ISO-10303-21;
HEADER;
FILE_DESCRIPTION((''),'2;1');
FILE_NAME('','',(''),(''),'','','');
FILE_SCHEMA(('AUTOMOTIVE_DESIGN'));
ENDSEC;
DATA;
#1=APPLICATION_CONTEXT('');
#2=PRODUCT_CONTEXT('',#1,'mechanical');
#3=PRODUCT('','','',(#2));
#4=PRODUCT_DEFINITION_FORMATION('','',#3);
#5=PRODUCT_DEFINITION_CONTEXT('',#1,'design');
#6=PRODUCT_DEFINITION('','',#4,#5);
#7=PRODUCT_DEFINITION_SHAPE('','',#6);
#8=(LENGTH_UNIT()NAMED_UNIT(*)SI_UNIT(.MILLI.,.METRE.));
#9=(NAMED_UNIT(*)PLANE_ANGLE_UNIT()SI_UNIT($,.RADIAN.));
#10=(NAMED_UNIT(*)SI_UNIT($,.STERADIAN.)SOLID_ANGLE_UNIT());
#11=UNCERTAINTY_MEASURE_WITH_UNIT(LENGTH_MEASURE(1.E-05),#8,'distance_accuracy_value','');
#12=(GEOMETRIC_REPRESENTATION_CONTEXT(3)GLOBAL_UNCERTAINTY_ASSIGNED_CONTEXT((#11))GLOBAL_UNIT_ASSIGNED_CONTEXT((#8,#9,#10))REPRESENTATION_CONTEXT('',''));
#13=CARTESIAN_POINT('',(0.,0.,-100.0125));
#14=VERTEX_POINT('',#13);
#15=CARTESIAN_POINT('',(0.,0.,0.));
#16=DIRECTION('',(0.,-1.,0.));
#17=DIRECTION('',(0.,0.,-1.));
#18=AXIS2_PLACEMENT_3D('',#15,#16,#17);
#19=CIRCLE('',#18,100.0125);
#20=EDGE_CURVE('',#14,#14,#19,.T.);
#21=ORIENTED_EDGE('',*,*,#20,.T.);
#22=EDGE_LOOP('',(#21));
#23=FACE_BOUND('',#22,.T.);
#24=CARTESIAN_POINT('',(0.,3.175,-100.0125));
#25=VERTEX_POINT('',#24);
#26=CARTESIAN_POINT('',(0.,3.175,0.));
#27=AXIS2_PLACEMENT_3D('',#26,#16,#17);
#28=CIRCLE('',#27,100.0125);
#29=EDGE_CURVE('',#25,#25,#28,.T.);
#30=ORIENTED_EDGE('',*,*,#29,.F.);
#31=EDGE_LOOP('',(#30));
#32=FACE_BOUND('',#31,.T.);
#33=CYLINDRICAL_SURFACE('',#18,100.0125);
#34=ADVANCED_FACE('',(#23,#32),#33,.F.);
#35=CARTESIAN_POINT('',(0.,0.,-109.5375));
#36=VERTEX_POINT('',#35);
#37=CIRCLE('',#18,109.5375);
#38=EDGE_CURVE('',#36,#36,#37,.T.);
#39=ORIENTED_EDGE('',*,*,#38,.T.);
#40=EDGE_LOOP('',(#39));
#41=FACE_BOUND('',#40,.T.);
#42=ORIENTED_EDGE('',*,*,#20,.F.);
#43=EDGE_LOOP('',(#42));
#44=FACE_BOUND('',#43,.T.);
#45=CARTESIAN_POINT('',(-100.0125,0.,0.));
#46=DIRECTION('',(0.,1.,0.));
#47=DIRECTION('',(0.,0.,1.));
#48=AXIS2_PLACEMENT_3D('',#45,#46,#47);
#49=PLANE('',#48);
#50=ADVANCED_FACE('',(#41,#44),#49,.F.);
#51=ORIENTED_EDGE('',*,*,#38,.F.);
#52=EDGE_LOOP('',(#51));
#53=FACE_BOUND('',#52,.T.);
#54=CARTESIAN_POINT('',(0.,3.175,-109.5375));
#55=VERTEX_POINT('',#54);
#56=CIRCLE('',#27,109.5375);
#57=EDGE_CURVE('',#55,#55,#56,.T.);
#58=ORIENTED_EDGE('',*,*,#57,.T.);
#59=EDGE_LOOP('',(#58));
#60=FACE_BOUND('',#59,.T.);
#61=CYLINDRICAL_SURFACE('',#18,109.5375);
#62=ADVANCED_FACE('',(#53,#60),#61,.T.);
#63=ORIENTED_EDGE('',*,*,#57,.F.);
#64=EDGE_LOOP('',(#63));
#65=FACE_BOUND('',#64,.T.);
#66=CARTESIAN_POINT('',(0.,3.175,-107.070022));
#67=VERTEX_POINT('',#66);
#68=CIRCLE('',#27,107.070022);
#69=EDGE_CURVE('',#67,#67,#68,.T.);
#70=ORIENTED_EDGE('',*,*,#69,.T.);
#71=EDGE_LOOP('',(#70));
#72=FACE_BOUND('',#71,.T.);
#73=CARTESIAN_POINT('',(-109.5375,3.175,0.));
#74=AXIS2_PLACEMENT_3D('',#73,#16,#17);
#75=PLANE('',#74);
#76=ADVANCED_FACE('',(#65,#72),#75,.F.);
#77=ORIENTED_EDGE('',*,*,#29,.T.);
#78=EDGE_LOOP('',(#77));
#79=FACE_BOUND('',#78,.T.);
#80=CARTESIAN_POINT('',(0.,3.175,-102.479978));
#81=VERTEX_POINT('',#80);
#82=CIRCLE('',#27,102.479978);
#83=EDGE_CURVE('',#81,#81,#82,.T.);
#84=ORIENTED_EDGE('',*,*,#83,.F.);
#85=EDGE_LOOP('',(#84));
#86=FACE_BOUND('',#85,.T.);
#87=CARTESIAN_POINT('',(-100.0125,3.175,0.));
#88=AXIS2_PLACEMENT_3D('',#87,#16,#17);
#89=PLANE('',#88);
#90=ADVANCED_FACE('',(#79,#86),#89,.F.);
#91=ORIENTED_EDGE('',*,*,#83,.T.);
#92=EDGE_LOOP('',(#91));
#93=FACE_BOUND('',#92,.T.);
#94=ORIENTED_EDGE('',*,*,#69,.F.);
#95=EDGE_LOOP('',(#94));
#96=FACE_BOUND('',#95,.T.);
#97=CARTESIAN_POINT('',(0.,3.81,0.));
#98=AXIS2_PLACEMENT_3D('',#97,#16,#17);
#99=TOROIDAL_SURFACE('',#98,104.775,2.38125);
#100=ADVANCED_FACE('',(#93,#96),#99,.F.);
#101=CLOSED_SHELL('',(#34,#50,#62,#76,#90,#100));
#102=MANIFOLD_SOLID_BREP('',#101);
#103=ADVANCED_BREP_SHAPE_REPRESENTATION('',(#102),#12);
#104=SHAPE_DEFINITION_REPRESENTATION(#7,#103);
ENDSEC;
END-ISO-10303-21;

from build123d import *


with BuildPart() as part:
    # Sketch1 → Revolve1 (revolve)
    with BuildSketch(Plane.XY, mode=Mode.PRIVATE) as revolve1_sk:
        with BuildLine():
            Line((-100.0125, 0), (-109.5375, 0))
            Line((-109.5375, 0), (-109.5375, 3.175))
            Line((-109.5375, 3.175), (-107.070022127, 3.175))
            ThreePointArc((-107.070022127, 3.175), (-104.775, 1.42875), (-102.479977873, 3.175))
            Line((-102.479977873, 3.175), (-100.0125, 3.175))
            Line((-100.0125, 3.175), (-100.0125, 0))
        make_face()
    revolve(revolve1_sk.sketch.rotate(Axis((0, 0, 0), (0, 1, 0)), 270), axis=Axis((0, 0, 0), (0, 1, 0)))


solid = part.part
